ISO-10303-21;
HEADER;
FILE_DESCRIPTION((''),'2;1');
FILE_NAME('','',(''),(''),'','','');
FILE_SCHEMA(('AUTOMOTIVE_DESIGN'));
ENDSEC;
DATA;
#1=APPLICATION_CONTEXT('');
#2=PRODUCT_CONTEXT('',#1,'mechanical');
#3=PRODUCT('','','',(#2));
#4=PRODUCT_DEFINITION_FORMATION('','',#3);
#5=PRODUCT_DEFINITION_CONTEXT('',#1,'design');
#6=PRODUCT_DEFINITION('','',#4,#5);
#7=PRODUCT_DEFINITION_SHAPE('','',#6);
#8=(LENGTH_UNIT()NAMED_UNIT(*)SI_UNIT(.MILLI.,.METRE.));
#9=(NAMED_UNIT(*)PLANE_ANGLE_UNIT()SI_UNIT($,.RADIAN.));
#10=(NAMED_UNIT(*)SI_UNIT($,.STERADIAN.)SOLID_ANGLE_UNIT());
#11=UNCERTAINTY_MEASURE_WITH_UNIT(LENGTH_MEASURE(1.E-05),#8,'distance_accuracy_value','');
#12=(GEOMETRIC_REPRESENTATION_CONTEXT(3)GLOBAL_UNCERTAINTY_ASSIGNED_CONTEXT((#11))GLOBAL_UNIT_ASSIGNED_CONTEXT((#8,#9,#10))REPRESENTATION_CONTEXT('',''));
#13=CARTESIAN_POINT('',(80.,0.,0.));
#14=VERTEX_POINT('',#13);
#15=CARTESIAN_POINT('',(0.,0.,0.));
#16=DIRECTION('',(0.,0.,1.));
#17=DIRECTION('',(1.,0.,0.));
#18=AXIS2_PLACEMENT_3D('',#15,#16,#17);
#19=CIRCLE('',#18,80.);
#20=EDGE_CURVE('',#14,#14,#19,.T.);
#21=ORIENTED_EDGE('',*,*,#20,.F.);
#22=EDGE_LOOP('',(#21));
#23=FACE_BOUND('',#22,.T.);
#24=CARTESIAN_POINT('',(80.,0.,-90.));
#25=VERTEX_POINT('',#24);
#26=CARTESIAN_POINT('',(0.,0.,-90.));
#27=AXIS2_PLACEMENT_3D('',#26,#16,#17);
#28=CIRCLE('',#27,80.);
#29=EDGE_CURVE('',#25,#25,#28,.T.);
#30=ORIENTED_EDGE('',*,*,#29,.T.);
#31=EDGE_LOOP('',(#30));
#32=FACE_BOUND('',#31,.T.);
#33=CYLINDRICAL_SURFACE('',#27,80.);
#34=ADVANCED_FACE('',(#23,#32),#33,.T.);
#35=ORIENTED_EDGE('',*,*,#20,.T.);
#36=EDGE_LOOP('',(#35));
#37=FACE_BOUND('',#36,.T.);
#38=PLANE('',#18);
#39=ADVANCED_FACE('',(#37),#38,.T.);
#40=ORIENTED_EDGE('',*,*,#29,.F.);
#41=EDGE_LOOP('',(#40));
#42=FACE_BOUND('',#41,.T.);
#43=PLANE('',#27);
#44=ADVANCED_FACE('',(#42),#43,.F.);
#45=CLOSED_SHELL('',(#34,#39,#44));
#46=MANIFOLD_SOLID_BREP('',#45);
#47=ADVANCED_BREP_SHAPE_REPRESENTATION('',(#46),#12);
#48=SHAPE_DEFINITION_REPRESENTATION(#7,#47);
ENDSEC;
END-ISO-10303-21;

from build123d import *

# Parameters (mm, degrees)
SZKIC1_R                    = 80
DODANIE_WYCI_GNI_CIE1_DEPTH = 90


with BuildPart() as part:
    # Szkic1 → Dodanie-wyciągnięcie1 (new body)
    with BuildSketch(Plane.XY):
        Circle(SZKIC1_R)
    extrude(amount=-DODANIE_WYCI_GNI_CIE1_DEPTH)


solid = part.part
